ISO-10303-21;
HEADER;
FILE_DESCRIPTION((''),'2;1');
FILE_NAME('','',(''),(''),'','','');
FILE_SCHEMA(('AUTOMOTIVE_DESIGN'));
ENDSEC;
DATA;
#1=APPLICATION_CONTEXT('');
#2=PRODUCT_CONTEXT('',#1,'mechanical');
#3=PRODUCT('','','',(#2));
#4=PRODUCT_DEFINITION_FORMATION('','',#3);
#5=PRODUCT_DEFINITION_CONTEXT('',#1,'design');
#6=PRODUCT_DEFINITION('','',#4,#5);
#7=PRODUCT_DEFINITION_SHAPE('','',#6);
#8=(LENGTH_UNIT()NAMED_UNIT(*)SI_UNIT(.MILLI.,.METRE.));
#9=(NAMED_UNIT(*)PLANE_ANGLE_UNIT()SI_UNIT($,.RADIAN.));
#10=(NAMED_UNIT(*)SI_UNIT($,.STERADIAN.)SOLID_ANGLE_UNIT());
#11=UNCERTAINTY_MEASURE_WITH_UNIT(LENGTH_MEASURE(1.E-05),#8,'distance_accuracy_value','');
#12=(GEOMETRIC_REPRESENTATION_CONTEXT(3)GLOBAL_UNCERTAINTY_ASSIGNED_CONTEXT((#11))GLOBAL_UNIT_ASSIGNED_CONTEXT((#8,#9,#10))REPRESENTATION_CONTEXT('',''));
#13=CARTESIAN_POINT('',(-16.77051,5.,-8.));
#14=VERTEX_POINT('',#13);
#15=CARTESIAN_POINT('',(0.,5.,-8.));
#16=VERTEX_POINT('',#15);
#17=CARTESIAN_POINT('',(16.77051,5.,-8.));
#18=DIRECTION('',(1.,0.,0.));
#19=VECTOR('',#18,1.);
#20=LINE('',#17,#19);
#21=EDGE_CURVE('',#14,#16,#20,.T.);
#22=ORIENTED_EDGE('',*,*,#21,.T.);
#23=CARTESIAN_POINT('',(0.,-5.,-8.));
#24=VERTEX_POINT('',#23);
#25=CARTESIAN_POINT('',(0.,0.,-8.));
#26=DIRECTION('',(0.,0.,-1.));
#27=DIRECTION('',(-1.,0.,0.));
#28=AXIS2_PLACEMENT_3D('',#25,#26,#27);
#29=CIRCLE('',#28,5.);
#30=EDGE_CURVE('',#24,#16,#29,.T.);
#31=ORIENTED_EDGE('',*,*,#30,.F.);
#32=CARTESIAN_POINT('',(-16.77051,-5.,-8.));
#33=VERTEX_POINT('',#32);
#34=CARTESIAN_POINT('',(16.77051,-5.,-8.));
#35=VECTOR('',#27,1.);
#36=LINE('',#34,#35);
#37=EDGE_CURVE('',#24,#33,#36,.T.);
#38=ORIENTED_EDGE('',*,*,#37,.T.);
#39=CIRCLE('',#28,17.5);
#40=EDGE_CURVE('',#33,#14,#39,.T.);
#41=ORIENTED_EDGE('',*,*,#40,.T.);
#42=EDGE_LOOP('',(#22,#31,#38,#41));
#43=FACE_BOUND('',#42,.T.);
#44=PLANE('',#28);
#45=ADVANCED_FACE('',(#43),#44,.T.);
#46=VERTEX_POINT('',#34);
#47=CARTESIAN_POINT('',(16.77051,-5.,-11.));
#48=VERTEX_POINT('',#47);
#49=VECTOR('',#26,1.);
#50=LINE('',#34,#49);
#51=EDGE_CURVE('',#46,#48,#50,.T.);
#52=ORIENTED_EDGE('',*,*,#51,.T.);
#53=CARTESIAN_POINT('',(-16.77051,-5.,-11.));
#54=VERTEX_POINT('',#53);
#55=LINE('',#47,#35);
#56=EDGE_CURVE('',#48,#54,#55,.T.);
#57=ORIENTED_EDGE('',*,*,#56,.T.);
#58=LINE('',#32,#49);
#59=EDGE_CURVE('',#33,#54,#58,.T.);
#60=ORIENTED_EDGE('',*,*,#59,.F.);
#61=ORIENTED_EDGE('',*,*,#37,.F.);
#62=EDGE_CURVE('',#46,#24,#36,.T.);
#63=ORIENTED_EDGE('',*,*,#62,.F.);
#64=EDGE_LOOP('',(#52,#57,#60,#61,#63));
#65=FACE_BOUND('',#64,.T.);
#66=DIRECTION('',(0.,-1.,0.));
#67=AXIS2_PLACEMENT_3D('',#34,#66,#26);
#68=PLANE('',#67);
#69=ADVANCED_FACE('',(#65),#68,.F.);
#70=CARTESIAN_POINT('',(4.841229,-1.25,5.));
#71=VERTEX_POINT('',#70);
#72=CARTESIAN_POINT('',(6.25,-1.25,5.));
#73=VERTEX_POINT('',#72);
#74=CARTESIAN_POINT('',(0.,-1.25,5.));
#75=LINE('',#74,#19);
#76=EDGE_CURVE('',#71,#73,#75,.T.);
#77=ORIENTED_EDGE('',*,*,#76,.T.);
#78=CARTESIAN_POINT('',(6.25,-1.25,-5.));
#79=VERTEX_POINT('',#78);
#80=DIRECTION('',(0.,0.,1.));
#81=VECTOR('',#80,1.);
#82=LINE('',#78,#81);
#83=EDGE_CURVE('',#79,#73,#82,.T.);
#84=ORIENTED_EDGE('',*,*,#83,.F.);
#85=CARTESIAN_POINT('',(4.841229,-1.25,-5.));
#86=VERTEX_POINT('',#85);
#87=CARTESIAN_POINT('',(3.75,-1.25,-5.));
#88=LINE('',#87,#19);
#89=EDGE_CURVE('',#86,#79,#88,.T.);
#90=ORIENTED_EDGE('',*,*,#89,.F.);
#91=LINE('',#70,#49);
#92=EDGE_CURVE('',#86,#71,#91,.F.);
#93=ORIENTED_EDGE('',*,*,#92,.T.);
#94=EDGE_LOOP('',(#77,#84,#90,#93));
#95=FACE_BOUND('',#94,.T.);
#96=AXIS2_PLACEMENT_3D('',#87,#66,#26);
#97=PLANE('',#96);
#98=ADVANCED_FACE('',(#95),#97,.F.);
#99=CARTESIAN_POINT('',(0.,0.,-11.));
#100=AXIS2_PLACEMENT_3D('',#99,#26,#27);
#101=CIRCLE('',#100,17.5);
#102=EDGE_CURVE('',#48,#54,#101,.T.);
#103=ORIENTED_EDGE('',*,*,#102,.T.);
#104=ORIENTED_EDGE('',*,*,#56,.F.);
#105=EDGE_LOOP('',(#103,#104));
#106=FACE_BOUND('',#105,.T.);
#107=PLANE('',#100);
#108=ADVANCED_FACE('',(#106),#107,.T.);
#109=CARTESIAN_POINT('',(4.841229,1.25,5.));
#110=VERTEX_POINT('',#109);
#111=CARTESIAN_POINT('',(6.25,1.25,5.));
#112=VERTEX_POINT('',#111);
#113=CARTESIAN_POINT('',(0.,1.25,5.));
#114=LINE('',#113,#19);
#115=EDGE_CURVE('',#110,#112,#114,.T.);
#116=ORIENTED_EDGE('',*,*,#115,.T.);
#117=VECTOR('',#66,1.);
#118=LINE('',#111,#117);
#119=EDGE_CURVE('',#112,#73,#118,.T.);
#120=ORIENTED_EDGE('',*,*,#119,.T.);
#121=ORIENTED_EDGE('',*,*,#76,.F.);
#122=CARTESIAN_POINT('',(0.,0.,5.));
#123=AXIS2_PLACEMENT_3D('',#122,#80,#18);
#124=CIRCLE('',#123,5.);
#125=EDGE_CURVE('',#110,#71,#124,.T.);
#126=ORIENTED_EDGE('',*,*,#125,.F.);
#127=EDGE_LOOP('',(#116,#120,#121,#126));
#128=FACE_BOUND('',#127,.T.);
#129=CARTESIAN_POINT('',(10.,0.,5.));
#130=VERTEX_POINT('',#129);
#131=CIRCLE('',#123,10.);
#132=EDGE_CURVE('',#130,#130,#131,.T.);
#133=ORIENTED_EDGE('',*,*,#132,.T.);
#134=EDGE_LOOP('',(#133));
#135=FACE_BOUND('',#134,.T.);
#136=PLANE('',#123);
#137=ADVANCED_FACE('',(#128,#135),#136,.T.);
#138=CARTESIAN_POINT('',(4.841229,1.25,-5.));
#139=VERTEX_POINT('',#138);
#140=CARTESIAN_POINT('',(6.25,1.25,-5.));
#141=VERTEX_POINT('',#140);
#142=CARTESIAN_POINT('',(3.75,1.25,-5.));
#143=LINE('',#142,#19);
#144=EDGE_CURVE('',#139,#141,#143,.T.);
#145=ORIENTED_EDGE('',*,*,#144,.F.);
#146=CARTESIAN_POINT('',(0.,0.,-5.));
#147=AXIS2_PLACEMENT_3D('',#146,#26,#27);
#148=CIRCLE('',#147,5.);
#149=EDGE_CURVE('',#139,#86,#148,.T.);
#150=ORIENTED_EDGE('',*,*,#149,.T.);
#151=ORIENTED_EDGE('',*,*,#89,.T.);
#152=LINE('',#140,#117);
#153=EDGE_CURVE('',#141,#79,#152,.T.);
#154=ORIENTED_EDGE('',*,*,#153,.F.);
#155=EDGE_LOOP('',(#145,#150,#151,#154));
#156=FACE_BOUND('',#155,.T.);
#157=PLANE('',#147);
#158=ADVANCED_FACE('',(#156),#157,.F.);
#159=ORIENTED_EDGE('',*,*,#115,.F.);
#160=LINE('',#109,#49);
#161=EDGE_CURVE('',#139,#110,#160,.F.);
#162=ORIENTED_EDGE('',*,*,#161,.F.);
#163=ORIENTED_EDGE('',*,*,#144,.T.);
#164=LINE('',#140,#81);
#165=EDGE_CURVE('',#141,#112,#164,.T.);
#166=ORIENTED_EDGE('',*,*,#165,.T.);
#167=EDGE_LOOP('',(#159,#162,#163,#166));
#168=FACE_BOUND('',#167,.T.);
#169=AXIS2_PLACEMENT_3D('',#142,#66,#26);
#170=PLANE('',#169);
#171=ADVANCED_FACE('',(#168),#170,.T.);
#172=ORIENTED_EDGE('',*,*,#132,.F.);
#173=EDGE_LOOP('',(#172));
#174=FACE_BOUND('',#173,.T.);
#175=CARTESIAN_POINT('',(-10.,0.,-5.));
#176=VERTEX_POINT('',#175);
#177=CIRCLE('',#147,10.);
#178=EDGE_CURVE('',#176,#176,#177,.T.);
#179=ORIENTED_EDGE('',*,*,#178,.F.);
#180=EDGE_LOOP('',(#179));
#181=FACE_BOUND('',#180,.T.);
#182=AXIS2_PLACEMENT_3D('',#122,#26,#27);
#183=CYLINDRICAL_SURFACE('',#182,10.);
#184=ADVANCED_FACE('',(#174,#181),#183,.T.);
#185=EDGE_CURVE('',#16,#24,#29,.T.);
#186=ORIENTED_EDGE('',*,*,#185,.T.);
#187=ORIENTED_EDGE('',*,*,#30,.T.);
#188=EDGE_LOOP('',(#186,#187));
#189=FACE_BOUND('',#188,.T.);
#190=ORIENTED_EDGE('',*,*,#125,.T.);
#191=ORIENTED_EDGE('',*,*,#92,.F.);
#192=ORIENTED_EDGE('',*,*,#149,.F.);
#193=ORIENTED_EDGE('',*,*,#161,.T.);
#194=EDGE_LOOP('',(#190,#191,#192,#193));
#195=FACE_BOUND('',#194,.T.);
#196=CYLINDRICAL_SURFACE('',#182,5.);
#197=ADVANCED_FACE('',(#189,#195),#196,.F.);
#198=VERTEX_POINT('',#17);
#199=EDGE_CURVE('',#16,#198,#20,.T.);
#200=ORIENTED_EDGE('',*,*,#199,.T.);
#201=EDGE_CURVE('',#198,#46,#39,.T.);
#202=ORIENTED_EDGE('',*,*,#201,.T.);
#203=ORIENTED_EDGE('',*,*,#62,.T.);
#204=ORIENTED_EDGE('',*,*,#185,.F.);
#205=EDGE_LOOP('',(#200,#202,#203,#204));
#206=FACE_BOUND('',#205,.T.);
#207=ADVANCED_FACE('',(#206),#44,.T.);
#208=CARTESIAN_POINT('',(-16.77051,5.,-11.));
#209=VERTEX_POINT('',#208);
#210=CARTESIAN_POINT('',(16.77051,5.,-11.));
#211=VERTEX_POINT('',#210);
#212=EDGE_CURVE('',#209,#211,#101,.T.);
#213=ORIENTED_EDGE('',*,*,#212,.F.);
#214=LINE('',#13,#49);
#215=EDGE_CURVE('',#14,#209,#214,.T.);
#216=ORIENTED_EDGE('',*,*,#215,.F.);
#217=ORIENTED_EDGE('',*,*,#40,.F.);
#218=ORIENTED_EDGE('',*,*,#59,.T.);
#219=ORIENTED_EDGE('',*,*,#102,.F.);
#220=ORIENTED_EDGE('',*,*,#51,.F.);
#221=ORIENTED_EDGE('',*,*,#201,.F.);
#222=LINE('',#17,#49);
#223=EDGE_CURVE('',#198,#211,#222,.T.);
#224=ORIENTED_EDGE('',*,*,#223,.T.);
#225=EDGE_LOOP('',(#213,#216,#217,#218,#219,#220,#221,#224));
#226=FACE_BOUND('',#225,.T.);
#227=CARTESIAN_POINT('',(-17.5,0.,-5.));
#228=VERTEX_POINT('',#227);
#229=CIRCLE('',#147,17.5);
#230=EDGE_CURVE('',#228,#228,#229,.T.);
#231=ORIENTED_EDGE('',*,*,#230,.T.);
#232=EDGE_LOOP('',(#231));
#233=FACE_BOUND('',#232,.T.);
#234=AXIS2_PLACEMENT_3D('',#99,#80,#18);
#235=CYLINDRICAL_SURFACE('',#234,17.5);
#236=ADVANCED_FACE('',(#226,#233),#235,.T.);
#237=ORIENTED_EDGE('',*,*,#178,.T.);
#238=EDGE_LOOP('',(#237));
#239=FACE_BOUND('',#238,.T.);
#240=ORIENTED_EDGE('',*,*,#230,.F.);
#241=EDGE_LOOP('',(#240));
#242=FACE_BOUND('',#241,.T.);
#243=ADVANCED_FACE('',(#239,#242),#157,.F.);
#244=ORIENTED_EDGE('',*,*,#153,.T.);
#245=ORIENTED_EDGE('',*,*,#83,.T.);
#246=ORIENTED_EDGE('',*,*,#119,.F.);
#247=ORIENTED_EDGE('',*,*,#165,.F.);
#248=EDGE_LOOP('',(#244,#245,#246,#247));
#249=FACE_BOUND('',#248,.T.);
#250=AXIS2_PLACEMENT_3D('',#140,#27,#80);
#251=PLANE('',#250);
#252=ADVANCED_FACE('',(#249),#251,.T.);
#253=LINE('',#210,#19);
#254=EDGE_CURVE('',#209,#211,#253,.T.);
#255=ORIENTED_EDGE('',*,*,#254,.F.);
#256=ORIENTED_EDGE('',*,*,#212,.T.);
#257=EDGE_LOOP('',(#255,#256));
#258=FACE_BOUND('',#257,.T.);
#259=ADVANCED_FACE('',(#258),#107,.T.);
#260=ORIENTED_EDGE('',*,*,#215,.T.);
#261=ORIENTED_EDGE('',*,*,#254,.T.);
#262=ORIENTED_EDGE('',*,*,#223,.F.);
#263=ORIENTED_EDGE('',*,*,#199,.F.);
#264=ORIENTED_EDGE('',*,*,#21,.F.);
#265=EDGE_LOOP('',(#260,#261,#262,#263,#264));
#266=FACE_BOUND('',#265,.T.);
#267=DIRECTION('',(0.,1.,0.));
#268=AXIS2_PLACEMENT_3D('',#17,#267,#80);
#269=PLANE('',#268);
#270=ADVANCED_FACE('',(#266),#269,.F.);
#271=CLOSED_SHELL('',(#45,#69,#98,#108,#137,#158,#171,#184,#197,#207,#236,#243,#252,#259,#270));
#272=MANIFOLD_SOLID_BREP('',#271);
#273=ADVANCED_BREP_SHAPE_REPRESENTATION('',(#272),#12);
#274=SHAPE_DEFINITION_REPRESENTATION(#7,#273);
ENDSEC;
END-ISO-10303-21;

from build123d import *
from build123d.topology import SkipClean

# Parameters (mm, degrees)
SKETCH1_R           = 10
SKETCH1_R_2         = 5
BOSS_EXTRUDE1_DEPTH = 5
BOSS_EXTRUDE2_START = 6
SKETCH3_R           = 17.5
SKETCH3_R_2         = 5
BOSS_EXTRUDE2_DEPTH = 6
CUT_EXTRUDE1_DEPTH  = 3
SKETCH5_W           = 2.5
SKETCH5_H           = 2.5
CUT_EXTRUDE2_DEPTH  = 10


with BuildPart() as part:
    # Sketch1 → Boss-Extrude1 (new, symmetric)
    with BuildSketch(Plane.XY):
        Circle(SKETCH1_R)
        Circle(SKETCH1_R_2, mode=Mode.SUBTRACT)
    extrude(amount=BOSS_EXTRUDE1_DEPTH, both=True)

    # Sketch3 → Boss-Extrude2 (add)
    with SkipClean():  # the faces are left unmerged after this step: merging them gives an invalid solid
        with BuildSketch(Plane(origin=(0, 0, -5), x_dir=(-1, 0, 0), z_dir=(0, 0, -1)).offset(BOSS_EXTRUDE2_START)):
            Circle(SKETCH3_R)
            Circle(SKETCH3_R_2, mode=Mode.SUBTRACT)
        extrude(amount=-BOSS_EXTRUDE2_DEPTH)

    # Sketch4 → Cut-Extrude1 (cut)
    with SkipClean():  # the faces are left unmerged after this step: merging them gives an invalid solid
        with BuildSketch(Plane(origin=(0, 0, -11), x_dir=(-1, 0, 0), z_dir=(0, 0, -1))):
            with BuildLine():
                Line((-16.770509831, -5), (16.770509831, -5))
                ThreePointArc((16.770509831, -5), (17.5, 0), (16.770509831, 5))
                Line((16.770509831, 5), (-16.770509831, 5))
                ThreePointArc((-16.770509831, 5), (-17.5, 0), (-16.770509831, -5))
            make_face()
        extrude(amount=-CUT_EXTRUDE1_DEPTH, mode=Mode.SUBTRACT)

    # Sketch5 → Cut-Extrude2 (cut)
    with SkipClean():  # the faces are left unmerged after this step: merging them gives an invalid solid
        with BuildSketch(Plane.XY.offset(5)):
            with Locations((5, 0)):
                Rectangle(SKETCH5_W, SKETCH5_H)
        extrude(amount=-CUT_EXTRUDE2_DEPTH, mode=Mode.SUBTRACT)


solid = part.part
